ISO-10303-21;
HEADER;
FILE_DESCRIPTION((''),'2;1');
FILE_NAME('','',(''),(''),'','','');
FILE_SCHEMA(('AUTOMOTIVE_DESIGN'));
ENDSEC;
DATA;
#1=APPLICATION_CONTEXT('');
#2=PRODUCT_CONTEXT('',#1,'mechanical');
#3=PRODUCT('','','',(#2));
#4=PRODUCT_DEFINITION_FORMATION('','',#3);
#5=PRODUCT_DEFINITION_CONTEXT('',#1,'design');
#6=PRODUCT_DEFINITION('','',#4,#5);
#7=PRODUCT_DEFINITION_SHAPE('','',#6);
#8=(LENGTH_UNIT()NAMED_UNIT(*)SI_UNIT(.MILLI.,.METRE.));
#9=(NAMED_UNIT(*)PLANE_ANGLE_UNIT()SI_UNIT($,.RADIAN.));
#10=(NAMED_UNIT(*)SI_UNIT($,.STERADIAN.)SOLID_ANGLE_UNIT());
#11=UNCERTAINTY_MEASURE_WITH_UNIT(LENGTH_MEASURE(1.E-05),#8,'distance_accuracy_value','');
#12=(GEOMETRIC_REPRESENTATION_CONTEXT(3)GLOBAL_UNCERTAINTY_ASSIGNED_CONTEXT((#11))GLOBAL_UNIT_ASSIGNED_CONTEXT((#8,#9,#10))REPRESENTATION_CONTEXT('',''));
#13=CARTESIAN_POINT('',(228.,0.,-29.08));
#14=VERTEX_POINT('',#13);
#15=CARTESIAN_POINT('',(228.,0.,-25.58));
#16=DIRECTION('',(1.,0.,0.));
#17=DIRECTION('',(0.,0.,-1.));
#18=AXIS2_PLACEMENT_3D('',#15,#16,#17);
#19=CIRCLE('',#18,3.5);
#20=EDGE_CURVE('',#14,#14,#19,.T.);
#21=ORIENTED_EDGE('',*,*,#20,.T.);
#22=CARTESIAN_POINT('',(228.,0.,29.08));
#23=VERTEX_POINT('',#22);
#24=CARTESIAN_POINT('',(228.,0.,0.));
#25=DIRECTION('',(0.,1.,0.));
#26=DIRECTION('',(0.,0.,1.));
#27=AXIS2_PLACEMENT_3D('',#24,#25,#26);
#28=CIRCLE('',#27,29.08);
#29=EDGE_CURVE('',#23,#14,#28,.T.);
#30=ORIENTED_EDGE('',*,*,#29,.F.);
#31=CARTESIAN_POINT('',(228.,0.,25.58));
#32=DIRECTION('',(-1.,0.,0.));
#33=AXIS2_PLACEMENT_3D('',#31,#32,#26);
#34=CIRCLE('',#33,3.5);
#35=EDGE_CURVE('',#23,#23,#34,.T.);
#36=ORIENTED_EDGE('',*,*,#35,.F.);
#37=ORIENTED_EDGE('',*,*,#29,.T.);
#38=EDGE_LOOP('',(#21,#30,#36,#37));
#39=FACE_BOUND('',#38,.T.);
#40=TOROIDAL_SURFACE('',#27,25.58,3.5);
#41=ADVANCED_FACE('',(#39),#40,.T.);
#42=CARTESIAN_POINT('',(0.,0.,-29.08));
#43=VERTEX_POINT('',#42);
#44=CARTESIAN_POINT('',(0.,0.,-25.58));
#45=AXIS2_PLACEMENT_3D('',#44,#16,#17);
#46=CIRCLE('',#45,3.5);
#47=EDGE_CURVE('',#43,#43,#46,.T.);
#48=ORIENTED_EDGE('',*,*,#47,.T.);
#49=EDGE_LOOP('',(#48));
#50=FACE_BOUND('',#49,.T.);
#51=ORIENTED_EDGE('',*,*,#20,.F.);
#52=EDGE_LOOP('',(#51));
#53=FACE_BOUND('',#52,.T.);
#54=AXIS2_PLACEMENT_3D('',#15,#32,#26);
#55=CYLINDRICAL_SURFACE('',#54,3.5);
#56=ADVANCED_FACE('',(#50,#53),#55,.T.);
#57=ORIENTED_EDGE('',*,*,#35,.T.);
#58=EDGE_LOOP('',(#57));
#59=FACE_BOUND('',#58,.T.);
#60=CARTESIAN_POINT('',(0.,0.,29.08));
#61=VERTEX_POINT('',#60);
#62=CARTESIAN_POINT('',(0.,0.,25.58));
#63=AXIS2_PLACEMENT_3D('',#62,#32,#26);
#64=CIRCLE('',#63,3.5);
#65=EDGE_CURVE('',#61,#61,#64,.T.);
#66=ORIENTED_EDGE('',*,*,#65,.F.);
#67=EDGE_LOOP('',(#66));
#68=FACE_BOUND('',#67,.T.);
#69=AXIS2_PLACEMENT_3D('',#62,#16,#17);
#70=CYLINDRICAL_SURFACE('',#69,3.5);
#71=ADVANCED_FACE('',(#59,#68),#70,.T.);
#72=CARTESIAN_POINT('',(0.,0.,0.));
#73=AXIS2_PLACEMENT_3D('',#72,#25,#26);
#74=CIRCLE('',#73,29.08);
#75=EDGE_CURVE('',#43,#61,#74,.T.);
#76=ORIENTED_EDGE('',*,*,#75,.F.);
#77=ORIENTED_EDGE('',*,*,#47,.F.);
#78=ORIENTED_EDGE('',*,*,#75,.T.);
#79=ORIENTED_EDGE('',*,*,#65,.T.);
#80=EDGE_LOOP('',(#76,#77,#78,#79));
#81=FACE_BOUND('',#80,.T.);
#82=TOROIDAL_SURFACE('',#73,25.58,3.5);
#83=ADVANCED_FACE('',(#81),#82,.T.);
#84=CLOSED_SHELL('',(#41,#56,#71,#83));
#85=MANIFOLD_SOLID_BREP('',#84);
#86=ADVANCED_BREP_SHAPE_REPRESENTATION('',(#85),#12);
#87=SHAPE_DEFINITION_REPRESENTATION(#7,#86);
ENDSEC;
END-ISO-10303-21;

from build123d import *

# Parameters (mm, degrees)
CROQUIS5_R = 3.5


with BuildPart() as part:
    # Barrer1: sweep along a path in Croquis1
    with BuildLine(Plane(origin=(0, 0, 0), x_dir=(1, 0, 0), z_dir=(0, 1, 0))) as barrer1_path:
        Line((0, 25.58), (228, 25.58))
        ThreePointArc((228, 25.58), (253.58, 0), (228, -25.58))
        Line((228, -25.58), (0, -25.58))
        ThreePointArc((0, -25.58), (-25.58, 0), (0, 25.58))
    # Croquis5 → Barrer1 (sweep)
    with BuildSketch(Plane(origin=(0, 0, 0), x_dir=(0, 0, -1), z_dir=(1, 0, 0))):
        with Locations((25.58, 0)):
            Circle(CROQUIS5_R)
    sweep(path=barrer1_path.line)


solid = part.part
